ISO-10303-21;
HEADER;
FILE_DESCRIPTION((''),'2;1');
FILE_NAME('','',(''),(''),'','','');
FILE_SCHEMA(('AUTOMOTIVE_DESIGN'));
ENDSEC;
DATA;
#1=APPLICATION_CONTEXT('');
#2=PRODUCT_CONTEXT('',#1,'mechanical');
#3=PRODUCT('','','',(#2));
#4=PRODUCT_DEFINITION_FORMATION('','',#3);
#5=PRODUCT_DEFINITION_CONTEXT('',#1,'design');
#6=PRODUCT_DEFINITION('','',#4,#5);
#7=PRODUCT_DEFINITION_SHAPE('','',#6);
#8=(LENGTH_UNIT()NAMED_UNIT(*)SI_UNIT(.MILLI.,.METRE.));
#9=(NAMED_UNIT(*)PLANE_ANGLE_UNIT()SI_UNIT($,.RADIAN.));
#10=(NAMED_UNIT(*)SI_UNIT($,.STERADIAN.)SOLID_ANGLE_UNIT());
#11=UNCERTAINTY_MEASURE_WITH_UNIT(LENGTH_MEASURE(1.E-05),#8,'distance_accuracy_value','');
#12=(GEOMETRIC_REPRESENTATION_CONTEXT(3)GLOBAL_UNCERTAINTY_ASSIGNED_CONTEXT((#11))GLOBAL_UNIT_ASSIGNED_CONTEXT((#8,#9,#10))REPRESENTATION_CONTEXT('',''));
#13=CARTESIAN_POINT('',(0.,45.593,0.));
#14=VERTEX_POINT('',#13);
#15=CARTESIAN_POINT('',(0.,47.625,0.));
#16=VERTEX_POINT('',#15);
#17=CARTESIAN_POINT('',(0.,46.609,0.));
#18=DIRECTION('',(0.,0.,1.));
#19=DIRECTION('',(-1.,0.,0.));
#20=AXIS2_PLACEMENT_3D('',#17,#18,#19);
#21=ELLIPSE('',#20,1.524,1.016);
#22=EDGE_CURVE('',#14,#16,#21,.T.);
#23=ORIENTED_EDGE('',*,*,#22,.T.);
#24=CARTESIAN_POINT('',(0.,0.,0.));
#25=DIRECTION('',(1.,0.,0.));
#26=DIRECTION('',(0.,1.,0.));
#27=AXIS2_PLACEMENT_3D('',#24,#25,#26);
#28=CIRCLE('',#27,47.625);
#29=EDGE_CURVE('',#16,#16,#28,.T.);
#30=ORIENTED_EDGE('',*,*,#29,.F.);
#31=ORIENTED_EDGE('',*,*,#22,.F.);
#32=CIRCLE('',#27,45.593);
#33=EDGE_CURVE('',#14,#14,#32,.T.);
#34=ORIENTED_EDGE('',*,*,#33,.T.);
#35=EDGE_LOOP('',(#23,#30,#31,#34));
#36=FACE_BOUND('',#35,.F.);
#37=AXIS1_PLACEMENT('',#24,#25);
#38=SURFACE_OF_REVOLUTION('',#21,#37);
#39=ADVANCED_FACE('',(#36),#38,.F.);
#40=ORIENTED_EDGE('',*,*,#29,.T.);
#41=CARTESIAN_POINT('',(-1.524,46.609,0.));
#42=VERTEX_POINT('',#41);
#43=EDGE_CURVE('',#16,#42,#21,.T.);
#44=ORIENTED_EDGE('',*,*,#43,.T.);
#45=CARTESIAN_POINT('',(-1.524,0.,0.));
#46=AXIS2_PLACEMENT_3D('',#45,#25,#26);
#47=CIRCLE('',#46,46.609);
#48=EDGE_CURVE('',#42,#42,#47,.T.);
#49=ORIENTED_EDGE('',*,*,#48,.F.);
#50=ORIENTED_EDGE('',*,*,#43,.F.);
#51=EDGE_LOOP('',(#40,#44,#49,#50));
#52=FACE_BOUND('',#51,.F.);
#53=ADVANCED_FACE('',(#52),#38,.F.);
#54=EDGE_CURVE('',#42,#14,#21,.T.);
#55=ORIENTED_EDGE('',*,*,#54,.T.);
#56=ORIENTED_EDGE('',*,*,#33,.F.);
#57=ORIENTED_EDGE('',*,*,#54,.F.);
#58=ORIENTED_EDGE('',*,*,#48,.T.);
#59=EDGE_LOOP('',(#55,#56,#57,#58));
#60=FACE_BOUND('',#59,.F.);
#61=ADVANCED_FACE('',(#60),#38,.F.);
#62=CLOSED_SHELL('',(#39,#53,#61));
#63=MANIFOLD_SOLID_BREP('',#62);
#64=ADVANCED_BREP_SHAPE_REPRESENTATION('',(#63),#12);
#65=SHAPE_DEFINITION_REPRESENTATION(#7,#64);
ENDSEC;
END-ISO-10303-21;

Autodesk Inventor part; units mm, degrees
ref_plane "YZ Plane" through (0, 0, 0) normal (1, 0, 0) x (0, 1, 0)
ref_plane "XZ Plane" through (0, 0, 0) normal (0, 1, 0) x (-1, 0, 0)
ref_plane "XY Plane" through (0, 0, 0) normal (0, 0, 1) x (1, 0, 0)
sketch "Sketch1" plane through (0, 0, 0) normal (0, 0, 1) x (1, 0, 0)
  line L0 (0, 47.625) -> (0, 45.593)
  ellipse E0 centre (0, 46.609) end of major axis (-1.524, 46.609) minor radius 1.016
  line L1 (0, 0) -> (7.2605, 0)
  dimension "d4" = 1.524
  dimension "d2" = 45.593
  dimension "d3" = 47.625
revolve "Revolution1" add sketch "Sketch1" angle 360 about axis through (0, 0, 0) along (1, 0, 0)
properties part number "ORingA50_3.75OD_3.5ID_Compressed" material "Rubber, Silicone"
